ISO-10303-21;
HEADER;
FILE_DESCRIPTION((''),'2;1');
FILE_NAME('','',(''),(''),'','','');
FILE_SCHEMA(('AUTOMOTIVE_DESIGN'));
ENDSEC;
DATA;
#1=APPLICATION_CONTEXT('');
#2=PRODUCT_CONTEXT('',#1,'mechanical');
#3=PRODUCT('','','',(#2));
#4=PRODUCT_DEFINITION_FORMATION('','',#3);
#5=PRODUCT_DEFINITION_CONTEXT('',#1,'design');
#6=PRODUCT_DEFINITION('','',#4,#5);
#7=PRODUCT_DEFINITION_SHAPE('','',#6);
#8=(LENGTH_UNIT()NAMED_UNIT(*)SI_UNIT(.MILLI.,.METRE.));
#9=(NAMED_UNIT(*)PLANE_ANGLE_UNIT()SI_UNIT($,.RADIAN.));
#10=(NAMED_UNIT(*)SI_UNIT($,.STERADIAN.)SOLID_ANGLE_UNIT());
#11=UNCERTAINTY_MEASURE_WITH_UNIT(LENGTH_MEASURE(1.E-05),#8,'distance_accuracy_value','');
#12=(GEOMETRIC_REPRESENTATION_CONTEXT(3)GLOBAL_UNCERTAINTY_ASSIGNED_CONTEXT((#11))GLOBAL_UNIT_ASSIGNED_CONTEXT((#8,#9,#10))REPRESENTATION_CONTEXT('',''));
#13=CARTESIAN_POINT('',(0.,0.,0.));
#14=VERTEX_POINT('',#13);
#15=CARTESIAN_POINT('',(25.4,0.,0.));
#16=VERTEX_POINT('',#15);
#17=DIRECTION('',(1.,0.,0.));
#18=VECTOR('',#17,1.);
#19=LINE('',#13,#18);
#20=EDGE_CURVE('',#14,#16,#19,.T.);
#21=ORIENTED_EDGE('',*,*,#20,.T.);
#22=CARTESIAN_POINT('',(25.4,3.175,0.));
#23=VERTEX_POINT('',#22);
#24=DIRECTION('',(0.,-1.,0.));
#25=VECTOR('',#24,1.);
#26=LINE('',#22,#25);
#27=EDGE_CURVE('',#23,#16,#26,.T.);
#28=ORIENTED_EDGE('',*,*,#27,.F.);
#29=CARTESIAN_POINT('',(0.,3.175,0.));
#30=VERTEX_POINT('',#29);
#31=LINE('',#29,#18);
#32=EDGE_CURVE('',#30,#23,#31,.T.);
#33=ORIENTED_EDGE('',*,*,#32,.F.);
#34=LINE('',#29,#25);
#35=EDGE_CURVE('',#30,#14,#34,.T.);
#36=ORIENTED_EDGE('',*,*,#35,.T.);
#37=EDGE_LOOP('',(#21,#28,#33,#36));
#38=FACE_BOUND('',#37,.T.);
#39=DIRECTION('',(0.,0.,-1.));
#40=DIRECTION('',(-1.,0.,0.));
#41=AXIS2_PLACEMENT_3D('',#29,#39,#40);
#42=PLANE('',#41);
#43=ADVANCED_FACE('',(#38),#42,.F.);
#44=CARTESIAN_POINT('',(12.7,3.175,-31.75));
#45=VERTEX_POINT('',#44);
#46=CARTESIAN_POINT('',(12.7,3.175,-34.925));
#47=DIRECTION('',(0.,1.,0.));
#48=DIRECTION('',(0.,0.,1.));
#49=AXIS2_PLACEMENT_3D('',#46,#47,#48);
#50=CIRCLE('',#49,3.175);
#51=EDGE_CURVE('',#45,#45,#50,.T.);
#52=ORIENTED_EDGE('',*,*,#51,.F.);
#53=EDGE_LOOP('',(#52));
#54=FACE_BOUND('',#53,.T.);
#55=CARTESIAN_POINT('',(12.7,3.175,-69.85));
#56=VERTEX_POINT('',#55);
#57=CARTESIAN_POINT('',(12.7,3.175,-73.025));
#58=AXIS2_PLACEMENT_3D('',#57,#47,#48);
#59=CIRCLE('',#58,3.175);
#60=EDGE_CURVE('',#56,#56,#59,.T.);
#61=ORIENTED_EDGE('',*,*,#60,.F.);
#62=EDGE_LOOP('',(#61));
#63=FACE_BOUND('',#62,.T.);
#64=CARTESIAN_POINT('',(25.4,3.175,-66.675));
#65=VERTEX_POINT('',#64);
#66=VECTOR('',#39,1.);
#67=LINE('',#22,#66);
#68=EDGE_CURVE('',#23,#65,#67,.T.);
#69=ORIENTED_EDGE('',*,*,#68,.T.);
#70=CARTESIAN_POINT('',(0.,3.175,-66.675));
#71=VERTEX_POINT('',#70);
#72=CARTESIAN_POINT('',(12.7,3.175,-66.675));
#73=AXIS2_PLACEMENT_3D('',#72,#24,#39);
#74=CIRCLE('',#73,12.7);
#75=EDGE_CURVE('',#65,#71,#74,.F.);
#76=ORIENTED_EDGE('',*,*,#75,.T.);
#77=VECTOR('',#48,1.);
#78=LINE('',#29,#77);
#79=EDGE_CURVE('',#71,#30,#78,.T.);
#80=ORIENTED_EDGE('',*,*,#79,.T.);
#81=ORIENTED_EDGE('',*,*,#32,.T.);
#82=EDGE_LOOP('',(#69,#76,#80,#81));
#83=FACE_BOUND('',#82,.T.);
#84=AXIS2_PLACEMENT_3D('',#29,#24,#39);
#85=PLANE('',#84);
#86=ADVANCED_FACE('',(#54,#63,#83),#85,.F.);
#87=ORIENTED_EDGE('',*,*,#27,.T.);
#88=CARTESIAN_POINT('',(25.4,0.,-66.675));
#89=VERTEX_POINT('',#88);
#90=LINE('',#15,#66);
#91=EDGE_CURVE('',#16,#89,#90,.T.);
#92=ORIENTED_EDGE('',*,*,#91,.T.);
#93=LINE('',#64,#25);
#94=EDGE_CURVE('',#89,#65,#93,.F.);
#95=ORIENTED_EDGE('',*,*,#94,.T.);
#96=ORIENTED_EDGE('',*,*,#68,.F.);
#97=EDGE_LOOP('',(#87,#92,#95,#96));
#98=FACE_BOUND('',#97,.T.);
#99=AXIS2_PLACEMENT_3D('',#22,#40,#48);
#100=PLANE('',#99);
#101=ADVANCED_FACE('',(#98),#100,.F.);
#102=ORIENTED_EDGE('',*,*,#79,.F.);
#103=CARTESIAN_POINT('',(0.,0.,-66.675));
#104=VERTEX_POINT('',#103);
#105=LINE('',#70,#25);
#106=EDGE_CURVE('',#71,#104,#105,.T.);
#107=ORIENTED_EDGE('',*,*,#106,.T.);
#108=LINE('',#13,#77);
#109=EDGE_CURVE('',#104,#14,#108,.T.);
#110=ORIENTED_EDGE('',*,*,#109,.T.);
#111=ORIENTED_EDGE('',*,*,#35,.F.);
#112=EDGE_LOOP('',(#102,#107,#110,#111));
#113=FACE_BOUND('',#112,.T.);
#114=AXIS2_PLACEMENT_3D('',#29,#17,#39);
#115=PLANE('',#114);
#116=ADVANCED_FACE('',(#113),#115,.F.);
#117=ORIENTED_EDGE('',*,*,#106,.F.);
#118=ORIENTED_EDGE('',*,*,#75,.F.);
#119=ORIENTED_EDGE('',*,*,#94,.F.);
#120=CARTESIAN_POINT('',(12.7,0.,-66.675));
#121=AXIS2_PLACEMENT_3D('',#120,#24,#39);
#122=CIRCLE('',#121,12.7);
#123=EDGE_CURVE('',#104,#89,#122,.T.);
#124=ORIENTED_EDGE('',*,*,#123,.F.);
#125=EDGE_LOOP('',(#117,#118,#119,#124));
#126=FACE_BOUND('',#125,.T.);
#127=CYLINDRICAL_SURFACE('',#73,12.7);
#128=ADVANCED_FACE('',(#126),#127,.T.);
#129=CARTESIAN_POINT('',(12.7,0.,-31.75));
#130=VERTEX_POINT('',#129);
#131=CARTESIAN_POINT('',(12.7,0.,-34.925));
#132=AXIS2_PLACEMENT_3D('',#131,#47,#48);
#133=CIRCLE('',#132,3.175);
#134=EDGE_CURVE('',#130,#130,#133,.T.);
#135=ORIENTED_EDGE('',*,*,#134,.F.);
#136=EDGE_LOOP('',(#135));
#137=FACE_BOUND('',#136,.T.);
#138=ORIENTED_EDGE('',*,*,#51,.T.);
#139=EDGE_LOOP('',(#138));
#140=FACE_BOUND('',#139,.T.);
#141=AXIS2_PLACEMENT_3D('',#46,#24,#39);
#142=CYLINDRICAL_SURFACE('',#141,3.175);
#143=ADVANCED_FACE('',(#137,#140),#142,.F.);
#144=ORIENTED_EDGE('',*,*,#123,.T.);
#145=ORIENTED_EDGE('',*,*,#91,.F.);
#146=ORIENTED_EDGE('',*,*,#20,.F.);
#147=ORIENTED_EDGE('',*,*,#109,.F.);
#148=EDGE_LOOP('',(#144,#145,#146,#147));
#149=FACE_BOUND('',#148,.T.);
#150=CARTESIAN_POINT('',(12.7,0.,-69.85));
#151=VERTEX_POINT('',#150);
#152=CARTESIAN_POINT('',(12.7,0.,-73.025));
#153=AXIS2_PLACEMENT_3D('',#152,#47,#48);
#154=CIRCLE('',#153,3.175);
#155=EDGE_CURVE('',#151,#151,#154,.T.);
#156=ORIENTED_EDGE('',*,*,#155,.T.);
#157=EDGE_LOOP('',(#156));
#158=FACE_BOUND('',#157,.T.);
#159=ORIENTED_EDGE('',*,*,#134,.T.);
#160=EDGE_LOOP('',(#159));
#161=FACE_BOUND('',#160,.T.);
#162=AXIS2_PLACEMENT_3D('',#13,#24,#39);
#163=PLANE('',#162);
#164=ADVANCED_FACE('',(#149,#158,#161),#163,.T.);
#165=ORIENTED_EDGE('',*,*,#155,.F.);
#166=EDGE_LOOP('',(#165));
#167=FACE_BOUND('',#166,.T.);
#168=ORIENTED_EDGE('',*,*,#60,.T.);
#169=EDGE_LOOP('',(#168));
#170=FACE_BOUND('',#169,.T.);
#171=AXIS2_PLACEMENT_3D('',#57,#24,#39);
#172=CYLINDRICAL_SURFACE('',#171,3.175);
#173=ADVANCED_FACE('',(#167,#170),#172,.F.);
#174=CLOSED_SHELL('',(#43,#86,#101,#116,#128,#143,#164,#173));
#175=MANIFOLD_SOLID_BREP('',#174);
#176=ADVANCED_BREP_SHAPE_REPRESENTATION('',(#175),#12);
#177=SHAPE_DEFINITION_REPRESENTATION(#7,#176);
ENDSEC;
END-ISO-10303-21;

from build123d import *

# Parameters (mm, degrees)
SKETCH1_W           = 25.4
SKETCH1_H           = 79.375
SKETCH1_R           = 3.175
BOSS_EXTRUDE1_DEPTH = 3.175
FILLET1_RADIUS      = 12.7
FILLET1_LENGTH      = 3.175


with BuildPart() as part:
    # Sketch1 → Boss-Extrude1 (new body)
    with BuildSketch(Plane(origin=(0, 0, 0), x_dir=(1, 0, 0), z_dir=(0, 1, 0))):
        with Locations((12.7, 39.6875)):
            Rectangle(SKETCH1_W, SKETCH1_H)
        with Locations(Location((12.7, 73.025, 0), (0, 0, 270))):
            Circle(SKETCH1_R, mode=Mode.SUBTRACT)
        with Locations(Location((12.7, 34.925, 0), (0, 0, 270))):
            Circle(SKETCH1_R, mode=Mode.SUBTRACT)
    extrude(amount=BOSS_EXTRUDE1_DEPTH)

    # Fillet1: full round fillet: the end face becomes a half cylinder, R = half its width
    fillet1_face = Plane((12.7, 1.5875, -79.375), x_dir=(0, 1, 0), z_dir=(0, 0, -1))  # on the end face: x along it, z out of the body
    fillet1_slab = fillet1_face.offset(-FILLET1_RADIUS / 2) * Box(FILLET1_LENGTH, 2 * FILLET1_RADIUS, FILLET1_RADIUS, mode=Mode.PRIVATE)  # the body's end, R deep
    fillet1_round = Plane((12.7, 1.5875, -66.675), x_dir=(0, 0, -1), z_dir=(0, 1, 0)) * Cylinder(FILLET1_RADIUS, FILLET1_LENGTH, mode=Mode.PRIVATE)  # its axis R under the face
    add(fillet1_slab - fillet1_round, mode=Mode.SUBTRACT)


solid = part.part
